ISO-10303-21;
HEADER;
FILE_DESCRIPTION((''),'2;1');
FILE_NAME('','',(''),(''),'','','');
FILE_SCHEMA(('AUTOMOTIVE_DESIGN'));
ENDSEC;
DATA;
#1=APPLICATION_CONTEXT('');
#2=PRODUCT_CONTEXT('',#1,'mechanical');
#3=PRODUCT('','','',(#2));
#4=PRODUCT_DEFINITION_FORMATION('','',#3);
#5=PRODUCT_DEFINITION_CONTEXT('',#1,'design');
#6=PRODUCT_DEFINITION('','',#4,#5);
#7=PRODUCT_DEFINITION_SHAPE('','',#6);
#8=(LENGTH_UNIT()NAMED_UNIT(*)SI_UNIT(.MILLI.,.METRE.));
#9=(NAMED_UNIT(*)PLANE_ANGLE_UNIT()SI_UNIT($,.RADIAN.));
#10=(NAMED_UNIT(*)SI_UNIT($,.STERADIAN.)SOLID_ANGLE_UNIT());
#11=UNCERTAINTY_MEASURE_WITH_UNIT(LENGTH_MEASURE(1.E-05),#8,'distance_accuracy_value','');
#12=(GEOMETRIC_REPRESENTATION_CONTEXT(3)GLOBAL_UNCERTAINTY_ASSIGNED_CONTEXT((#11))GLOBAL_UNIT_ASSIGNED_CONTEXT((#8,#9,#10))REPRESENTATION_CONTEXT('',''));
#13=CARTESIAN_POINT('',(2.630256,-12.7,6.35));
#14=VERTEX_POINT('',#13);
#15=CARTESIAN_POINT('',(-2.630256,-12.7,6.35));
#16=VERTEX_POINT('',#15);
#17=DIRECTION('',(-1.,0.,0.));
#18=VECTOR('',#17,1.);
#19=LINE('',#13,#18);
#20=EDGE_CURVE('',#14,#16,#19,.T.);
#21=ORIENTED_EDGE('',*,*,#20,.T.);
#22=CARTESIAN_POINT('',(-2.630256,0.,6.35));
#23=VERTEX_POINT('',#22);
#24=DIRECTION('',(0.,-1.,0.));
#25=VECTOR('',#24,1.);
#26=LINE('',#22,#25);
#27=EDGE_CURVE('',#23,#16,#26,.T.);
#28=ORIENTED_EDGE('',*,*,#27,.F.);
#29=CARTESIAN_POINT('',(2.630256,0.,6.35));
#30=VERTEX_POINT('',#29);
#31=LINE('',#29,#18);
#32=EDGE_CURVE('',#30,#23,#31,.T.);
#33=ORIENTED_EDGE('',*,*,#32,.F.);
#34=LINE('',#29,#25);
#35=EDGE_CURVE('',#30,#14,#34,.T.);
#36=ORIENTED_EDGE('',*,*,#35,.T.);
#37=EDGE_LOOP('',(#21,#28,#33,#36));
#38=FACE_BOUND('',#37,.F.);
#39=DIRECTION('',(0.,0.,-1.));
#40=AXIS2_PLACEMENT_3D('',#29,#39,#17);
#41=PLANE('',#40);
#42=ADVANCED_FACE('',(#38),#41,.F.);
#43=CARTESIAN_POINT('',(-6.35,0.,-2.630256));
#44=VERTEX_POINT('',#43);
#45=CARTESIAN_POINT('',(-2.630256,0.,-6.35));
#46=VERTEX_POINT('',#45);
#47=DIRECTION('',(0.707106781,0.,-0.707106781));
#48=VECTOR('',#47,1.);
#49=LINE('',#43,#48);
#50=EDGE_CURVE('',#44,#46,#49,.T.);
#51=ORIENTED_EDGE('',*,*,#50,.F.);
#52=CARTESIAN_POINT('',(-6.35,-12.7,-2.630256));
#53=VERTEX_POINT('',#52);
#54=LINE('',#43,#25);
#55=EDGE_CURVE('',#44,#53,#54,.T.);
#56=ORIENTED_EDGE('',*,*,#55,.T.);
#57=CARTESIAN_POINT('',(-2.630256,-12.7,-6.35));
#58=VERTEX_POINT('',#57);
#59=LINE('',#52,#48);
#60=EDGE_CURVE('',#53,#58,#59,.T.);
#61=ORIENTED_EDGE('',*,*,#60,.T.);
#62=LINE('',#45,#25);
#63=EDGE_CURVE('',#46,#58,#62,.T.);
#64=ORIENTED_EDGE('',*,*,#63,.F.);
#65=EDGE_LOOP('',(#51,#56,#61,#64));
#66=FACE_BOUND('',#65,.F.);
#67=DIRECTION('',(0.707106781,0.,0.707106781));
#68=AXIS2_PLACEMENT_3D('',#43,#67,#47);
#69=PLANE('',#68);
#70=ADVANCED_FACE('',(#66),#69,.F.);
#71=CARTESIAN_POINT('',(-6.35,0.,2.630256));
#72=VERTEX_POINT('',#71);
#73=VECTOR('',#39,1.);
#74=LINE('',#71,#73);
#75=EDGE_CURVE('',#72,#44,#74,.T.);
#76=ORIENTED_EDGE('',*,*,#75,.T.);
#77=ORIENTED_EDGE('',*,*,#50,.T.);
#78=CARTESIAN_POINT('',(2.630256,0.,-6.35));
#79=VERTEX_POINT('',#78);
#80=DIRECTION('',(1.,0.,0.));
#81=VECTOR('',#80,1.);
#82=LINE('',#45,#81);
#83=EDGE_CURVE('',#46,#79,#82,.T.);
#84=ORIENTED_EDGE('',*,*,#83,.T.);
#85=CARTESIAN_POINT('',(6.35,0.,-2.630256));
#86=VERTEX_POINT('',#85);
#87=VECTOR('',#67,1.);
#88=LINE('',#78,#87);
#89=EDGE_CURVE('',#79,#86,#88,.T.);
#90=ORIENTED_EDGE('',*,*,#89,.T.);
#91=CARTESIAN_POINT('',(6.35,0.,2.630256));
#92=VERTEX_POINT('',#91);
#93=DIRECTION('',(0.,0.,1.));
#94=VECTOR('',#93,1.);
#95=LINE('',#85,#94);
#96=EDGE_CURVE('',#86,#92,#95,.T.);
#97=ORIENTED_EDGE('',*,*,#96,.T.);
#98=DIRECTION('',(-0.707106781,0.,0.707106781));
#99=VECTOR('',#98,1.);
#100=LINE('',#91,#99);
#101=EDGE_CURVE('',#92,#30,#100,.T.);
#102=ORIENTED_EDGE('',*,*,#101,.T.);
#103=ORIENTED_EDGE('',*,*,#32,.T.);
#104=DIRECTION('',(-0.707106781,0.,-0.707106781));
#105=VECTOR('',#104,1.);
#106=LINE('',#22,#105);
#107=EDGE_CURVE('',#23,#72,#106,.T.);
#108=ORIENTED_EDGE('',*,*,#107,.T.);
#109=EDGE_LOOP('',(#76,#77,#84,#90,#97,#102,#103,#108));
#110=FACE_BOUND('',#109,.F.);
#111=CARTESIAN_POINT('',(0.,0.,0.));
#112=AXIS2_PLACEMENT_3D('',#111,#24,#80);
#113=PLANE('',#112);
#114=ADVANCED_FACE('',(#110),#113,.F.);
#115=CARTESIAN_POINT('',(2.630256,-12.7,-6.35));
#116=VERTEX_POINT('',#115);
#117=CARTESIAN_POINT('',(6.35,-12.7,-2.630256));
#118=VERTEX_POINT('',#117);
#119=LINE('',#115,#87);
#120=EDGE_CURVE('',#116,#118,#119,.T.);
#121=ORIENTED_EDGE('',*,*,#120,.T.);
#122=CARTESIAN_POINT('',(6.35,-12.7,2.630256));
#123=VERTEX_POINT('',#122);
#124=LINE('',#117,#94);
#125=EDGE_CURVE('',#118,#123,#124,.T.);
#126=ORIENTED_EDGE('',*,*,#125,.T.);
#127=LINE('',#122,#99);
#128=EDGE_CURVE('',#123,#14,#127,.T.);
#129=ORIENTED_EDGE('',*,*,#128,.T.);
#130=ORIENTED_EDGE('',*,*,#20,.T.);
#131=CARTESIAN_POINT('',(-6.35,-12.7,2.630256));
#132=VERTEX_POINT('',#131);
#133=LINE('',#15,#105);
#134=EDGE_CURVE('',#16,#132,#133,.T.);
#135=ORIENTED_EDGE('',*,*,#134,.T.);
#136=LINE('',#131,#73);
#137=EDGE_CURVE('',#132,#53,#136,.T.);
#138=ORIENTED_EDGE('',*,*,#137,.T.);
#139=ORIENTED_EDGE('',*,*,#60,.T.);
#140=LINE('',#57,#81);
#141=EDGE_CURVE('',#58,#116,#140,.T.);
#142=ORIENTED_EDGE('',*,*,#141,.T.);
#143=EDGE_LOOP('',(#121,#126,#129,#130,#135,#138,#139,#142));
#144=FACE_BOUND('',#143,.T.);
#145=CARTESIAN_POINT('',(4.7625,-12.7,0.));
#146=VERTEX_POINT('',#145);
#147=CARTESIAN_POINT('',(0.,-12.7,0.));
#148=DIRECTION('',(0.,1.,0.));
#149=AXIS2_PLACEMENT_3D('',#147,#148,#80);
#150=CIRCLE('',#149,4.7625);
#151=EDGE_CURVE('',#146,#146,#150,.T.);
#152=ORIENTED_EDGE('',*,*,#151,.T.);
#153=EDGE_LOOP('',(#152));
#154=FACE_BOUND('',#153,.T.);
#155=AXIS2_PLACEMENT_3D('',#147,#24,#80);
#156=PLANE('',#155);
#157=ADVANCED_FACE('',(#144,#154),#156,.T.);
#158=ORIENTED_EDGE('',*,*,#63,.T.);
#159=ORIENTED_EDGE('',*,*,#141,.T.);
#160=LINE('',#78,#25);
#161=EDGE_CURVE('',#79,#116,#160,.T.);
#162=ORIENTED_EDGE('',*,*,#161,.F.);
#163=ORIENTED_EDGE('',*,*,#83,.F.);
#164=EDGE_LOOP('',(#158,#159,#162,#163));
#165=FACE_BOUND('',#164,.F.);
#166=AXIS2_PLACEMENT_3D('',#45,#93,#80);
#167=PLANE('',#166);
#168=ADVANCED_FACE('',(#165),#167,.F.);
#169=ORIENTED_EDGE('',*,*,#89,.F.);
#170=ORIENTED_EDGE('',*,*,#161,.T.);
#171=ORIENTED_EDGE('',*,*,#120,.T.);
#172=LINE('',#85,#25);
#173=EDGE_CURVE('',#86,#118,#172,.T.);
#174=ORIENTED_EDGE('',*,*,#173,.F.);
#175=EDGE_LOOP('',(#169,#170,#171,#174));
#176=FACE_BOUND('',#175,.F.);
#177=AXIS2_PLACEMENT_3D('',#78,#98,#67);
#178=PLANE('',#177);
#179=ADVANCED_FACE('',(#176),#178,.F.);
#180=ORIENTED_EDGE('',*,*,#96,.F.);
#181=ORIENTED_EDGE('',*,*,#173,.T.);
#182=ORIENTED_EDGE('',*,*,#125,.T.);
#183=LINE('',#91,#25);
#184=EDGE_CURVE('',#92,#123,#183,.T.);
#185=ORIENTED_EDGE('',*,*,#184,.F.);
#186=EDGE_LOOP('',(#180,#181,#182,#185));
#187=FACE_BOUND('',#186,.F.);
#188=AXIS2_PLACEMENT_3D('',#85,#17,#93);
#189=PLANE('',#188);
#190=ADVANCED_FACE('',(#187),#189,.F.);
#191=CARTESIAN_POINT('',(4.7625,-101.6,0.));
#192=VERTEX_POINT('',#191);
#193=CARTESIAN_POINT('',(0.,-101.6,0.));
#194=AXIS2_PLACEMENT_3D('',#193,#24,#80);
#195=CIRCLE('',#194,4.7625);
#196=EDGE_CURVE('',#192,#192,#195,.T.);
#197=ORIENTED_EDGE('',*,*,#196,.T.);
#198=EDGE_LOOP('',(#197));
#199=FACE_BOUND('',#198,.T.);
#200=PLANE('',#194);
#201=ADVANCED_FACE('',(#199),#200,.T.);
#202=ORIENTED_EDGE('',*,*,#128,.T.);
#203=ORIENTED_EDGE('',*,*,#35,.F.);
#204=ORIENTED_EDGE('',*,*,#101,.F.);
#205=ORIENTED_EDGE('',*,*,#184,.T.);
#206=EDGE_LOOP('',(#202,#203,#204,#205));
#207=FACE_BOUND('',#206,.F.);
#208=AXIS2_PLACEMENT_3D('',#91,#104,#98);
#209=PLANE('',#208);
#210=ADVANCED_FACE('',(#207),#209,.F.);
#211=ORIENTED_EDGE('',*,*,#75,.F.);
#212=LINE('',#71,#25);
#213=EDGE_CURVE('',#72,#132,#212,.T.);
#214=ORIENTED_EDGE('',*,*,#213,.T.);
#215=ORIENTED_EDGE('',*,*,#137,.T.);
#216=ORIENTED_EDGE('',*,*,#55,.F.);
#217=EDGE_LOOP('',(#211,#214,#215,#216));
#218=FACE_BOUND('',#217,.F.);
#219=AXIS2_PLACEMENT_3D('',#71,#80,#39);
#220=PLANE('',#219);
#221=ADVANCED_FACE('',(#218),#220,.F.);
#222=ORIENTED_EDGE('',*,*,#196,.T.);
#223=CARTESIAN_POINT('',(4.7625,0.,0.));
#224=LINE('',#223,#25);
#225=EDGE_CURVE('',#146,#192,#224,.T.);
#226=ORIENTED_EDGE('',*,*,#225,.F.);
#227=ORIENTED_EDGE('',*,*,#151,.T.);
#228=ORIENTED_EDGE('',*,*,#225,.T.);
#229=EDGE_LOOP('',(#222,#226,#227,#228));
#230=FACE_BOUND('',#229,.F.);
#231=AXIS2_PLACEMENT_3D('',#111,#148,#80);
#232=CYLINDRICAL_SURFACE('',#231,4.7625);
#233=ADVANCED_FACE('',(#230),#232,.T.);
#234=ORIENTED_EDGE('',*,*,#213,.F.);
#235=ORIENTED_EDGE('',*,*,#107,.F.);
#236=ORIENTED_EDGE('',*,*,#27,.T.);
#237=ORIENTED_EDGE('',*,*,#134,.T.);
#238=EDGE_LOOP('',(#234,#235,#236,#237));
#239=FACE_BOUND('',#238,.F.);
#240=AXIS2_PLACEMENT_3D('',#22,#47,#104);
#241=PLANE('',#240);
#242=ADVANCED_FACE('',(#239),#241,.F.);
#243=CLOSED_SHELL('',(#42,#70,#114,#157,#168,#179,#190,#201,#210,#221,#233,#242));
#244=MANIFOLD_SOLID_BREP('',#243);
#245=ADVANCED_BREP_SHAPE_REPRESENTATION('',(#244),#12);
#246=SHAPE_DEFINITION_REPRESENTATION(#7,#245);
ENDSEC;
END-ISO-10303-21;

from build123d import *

# Parameters (mm, degrees)
F0_R     = 4.7625
F1_DEPTH = 101.6
F3_DEPTH = 12.7


with BuildPart() as f1:
    # F0 (on Front) → F1 (new body)
    with BuildSketch(Plane.XZ):
        Circle(F0_R)
    extrude(amount=F1_DEPTH)

    # F2 (on Front) → F3 (join)
    with BuildSketch(Plane.XZ):
        Polygon((-2.630256, -6.35), (2.630256, -6.35), (6.35, -2.630256), (6.35, 2.630256), (2.630256, 6.35), (-2.630256, 6.35), (-6.35, 2.630256), (-6.35, -2.630256), align=None)
    extrude(amount=F3_DEPTH)


solid = f1.part
